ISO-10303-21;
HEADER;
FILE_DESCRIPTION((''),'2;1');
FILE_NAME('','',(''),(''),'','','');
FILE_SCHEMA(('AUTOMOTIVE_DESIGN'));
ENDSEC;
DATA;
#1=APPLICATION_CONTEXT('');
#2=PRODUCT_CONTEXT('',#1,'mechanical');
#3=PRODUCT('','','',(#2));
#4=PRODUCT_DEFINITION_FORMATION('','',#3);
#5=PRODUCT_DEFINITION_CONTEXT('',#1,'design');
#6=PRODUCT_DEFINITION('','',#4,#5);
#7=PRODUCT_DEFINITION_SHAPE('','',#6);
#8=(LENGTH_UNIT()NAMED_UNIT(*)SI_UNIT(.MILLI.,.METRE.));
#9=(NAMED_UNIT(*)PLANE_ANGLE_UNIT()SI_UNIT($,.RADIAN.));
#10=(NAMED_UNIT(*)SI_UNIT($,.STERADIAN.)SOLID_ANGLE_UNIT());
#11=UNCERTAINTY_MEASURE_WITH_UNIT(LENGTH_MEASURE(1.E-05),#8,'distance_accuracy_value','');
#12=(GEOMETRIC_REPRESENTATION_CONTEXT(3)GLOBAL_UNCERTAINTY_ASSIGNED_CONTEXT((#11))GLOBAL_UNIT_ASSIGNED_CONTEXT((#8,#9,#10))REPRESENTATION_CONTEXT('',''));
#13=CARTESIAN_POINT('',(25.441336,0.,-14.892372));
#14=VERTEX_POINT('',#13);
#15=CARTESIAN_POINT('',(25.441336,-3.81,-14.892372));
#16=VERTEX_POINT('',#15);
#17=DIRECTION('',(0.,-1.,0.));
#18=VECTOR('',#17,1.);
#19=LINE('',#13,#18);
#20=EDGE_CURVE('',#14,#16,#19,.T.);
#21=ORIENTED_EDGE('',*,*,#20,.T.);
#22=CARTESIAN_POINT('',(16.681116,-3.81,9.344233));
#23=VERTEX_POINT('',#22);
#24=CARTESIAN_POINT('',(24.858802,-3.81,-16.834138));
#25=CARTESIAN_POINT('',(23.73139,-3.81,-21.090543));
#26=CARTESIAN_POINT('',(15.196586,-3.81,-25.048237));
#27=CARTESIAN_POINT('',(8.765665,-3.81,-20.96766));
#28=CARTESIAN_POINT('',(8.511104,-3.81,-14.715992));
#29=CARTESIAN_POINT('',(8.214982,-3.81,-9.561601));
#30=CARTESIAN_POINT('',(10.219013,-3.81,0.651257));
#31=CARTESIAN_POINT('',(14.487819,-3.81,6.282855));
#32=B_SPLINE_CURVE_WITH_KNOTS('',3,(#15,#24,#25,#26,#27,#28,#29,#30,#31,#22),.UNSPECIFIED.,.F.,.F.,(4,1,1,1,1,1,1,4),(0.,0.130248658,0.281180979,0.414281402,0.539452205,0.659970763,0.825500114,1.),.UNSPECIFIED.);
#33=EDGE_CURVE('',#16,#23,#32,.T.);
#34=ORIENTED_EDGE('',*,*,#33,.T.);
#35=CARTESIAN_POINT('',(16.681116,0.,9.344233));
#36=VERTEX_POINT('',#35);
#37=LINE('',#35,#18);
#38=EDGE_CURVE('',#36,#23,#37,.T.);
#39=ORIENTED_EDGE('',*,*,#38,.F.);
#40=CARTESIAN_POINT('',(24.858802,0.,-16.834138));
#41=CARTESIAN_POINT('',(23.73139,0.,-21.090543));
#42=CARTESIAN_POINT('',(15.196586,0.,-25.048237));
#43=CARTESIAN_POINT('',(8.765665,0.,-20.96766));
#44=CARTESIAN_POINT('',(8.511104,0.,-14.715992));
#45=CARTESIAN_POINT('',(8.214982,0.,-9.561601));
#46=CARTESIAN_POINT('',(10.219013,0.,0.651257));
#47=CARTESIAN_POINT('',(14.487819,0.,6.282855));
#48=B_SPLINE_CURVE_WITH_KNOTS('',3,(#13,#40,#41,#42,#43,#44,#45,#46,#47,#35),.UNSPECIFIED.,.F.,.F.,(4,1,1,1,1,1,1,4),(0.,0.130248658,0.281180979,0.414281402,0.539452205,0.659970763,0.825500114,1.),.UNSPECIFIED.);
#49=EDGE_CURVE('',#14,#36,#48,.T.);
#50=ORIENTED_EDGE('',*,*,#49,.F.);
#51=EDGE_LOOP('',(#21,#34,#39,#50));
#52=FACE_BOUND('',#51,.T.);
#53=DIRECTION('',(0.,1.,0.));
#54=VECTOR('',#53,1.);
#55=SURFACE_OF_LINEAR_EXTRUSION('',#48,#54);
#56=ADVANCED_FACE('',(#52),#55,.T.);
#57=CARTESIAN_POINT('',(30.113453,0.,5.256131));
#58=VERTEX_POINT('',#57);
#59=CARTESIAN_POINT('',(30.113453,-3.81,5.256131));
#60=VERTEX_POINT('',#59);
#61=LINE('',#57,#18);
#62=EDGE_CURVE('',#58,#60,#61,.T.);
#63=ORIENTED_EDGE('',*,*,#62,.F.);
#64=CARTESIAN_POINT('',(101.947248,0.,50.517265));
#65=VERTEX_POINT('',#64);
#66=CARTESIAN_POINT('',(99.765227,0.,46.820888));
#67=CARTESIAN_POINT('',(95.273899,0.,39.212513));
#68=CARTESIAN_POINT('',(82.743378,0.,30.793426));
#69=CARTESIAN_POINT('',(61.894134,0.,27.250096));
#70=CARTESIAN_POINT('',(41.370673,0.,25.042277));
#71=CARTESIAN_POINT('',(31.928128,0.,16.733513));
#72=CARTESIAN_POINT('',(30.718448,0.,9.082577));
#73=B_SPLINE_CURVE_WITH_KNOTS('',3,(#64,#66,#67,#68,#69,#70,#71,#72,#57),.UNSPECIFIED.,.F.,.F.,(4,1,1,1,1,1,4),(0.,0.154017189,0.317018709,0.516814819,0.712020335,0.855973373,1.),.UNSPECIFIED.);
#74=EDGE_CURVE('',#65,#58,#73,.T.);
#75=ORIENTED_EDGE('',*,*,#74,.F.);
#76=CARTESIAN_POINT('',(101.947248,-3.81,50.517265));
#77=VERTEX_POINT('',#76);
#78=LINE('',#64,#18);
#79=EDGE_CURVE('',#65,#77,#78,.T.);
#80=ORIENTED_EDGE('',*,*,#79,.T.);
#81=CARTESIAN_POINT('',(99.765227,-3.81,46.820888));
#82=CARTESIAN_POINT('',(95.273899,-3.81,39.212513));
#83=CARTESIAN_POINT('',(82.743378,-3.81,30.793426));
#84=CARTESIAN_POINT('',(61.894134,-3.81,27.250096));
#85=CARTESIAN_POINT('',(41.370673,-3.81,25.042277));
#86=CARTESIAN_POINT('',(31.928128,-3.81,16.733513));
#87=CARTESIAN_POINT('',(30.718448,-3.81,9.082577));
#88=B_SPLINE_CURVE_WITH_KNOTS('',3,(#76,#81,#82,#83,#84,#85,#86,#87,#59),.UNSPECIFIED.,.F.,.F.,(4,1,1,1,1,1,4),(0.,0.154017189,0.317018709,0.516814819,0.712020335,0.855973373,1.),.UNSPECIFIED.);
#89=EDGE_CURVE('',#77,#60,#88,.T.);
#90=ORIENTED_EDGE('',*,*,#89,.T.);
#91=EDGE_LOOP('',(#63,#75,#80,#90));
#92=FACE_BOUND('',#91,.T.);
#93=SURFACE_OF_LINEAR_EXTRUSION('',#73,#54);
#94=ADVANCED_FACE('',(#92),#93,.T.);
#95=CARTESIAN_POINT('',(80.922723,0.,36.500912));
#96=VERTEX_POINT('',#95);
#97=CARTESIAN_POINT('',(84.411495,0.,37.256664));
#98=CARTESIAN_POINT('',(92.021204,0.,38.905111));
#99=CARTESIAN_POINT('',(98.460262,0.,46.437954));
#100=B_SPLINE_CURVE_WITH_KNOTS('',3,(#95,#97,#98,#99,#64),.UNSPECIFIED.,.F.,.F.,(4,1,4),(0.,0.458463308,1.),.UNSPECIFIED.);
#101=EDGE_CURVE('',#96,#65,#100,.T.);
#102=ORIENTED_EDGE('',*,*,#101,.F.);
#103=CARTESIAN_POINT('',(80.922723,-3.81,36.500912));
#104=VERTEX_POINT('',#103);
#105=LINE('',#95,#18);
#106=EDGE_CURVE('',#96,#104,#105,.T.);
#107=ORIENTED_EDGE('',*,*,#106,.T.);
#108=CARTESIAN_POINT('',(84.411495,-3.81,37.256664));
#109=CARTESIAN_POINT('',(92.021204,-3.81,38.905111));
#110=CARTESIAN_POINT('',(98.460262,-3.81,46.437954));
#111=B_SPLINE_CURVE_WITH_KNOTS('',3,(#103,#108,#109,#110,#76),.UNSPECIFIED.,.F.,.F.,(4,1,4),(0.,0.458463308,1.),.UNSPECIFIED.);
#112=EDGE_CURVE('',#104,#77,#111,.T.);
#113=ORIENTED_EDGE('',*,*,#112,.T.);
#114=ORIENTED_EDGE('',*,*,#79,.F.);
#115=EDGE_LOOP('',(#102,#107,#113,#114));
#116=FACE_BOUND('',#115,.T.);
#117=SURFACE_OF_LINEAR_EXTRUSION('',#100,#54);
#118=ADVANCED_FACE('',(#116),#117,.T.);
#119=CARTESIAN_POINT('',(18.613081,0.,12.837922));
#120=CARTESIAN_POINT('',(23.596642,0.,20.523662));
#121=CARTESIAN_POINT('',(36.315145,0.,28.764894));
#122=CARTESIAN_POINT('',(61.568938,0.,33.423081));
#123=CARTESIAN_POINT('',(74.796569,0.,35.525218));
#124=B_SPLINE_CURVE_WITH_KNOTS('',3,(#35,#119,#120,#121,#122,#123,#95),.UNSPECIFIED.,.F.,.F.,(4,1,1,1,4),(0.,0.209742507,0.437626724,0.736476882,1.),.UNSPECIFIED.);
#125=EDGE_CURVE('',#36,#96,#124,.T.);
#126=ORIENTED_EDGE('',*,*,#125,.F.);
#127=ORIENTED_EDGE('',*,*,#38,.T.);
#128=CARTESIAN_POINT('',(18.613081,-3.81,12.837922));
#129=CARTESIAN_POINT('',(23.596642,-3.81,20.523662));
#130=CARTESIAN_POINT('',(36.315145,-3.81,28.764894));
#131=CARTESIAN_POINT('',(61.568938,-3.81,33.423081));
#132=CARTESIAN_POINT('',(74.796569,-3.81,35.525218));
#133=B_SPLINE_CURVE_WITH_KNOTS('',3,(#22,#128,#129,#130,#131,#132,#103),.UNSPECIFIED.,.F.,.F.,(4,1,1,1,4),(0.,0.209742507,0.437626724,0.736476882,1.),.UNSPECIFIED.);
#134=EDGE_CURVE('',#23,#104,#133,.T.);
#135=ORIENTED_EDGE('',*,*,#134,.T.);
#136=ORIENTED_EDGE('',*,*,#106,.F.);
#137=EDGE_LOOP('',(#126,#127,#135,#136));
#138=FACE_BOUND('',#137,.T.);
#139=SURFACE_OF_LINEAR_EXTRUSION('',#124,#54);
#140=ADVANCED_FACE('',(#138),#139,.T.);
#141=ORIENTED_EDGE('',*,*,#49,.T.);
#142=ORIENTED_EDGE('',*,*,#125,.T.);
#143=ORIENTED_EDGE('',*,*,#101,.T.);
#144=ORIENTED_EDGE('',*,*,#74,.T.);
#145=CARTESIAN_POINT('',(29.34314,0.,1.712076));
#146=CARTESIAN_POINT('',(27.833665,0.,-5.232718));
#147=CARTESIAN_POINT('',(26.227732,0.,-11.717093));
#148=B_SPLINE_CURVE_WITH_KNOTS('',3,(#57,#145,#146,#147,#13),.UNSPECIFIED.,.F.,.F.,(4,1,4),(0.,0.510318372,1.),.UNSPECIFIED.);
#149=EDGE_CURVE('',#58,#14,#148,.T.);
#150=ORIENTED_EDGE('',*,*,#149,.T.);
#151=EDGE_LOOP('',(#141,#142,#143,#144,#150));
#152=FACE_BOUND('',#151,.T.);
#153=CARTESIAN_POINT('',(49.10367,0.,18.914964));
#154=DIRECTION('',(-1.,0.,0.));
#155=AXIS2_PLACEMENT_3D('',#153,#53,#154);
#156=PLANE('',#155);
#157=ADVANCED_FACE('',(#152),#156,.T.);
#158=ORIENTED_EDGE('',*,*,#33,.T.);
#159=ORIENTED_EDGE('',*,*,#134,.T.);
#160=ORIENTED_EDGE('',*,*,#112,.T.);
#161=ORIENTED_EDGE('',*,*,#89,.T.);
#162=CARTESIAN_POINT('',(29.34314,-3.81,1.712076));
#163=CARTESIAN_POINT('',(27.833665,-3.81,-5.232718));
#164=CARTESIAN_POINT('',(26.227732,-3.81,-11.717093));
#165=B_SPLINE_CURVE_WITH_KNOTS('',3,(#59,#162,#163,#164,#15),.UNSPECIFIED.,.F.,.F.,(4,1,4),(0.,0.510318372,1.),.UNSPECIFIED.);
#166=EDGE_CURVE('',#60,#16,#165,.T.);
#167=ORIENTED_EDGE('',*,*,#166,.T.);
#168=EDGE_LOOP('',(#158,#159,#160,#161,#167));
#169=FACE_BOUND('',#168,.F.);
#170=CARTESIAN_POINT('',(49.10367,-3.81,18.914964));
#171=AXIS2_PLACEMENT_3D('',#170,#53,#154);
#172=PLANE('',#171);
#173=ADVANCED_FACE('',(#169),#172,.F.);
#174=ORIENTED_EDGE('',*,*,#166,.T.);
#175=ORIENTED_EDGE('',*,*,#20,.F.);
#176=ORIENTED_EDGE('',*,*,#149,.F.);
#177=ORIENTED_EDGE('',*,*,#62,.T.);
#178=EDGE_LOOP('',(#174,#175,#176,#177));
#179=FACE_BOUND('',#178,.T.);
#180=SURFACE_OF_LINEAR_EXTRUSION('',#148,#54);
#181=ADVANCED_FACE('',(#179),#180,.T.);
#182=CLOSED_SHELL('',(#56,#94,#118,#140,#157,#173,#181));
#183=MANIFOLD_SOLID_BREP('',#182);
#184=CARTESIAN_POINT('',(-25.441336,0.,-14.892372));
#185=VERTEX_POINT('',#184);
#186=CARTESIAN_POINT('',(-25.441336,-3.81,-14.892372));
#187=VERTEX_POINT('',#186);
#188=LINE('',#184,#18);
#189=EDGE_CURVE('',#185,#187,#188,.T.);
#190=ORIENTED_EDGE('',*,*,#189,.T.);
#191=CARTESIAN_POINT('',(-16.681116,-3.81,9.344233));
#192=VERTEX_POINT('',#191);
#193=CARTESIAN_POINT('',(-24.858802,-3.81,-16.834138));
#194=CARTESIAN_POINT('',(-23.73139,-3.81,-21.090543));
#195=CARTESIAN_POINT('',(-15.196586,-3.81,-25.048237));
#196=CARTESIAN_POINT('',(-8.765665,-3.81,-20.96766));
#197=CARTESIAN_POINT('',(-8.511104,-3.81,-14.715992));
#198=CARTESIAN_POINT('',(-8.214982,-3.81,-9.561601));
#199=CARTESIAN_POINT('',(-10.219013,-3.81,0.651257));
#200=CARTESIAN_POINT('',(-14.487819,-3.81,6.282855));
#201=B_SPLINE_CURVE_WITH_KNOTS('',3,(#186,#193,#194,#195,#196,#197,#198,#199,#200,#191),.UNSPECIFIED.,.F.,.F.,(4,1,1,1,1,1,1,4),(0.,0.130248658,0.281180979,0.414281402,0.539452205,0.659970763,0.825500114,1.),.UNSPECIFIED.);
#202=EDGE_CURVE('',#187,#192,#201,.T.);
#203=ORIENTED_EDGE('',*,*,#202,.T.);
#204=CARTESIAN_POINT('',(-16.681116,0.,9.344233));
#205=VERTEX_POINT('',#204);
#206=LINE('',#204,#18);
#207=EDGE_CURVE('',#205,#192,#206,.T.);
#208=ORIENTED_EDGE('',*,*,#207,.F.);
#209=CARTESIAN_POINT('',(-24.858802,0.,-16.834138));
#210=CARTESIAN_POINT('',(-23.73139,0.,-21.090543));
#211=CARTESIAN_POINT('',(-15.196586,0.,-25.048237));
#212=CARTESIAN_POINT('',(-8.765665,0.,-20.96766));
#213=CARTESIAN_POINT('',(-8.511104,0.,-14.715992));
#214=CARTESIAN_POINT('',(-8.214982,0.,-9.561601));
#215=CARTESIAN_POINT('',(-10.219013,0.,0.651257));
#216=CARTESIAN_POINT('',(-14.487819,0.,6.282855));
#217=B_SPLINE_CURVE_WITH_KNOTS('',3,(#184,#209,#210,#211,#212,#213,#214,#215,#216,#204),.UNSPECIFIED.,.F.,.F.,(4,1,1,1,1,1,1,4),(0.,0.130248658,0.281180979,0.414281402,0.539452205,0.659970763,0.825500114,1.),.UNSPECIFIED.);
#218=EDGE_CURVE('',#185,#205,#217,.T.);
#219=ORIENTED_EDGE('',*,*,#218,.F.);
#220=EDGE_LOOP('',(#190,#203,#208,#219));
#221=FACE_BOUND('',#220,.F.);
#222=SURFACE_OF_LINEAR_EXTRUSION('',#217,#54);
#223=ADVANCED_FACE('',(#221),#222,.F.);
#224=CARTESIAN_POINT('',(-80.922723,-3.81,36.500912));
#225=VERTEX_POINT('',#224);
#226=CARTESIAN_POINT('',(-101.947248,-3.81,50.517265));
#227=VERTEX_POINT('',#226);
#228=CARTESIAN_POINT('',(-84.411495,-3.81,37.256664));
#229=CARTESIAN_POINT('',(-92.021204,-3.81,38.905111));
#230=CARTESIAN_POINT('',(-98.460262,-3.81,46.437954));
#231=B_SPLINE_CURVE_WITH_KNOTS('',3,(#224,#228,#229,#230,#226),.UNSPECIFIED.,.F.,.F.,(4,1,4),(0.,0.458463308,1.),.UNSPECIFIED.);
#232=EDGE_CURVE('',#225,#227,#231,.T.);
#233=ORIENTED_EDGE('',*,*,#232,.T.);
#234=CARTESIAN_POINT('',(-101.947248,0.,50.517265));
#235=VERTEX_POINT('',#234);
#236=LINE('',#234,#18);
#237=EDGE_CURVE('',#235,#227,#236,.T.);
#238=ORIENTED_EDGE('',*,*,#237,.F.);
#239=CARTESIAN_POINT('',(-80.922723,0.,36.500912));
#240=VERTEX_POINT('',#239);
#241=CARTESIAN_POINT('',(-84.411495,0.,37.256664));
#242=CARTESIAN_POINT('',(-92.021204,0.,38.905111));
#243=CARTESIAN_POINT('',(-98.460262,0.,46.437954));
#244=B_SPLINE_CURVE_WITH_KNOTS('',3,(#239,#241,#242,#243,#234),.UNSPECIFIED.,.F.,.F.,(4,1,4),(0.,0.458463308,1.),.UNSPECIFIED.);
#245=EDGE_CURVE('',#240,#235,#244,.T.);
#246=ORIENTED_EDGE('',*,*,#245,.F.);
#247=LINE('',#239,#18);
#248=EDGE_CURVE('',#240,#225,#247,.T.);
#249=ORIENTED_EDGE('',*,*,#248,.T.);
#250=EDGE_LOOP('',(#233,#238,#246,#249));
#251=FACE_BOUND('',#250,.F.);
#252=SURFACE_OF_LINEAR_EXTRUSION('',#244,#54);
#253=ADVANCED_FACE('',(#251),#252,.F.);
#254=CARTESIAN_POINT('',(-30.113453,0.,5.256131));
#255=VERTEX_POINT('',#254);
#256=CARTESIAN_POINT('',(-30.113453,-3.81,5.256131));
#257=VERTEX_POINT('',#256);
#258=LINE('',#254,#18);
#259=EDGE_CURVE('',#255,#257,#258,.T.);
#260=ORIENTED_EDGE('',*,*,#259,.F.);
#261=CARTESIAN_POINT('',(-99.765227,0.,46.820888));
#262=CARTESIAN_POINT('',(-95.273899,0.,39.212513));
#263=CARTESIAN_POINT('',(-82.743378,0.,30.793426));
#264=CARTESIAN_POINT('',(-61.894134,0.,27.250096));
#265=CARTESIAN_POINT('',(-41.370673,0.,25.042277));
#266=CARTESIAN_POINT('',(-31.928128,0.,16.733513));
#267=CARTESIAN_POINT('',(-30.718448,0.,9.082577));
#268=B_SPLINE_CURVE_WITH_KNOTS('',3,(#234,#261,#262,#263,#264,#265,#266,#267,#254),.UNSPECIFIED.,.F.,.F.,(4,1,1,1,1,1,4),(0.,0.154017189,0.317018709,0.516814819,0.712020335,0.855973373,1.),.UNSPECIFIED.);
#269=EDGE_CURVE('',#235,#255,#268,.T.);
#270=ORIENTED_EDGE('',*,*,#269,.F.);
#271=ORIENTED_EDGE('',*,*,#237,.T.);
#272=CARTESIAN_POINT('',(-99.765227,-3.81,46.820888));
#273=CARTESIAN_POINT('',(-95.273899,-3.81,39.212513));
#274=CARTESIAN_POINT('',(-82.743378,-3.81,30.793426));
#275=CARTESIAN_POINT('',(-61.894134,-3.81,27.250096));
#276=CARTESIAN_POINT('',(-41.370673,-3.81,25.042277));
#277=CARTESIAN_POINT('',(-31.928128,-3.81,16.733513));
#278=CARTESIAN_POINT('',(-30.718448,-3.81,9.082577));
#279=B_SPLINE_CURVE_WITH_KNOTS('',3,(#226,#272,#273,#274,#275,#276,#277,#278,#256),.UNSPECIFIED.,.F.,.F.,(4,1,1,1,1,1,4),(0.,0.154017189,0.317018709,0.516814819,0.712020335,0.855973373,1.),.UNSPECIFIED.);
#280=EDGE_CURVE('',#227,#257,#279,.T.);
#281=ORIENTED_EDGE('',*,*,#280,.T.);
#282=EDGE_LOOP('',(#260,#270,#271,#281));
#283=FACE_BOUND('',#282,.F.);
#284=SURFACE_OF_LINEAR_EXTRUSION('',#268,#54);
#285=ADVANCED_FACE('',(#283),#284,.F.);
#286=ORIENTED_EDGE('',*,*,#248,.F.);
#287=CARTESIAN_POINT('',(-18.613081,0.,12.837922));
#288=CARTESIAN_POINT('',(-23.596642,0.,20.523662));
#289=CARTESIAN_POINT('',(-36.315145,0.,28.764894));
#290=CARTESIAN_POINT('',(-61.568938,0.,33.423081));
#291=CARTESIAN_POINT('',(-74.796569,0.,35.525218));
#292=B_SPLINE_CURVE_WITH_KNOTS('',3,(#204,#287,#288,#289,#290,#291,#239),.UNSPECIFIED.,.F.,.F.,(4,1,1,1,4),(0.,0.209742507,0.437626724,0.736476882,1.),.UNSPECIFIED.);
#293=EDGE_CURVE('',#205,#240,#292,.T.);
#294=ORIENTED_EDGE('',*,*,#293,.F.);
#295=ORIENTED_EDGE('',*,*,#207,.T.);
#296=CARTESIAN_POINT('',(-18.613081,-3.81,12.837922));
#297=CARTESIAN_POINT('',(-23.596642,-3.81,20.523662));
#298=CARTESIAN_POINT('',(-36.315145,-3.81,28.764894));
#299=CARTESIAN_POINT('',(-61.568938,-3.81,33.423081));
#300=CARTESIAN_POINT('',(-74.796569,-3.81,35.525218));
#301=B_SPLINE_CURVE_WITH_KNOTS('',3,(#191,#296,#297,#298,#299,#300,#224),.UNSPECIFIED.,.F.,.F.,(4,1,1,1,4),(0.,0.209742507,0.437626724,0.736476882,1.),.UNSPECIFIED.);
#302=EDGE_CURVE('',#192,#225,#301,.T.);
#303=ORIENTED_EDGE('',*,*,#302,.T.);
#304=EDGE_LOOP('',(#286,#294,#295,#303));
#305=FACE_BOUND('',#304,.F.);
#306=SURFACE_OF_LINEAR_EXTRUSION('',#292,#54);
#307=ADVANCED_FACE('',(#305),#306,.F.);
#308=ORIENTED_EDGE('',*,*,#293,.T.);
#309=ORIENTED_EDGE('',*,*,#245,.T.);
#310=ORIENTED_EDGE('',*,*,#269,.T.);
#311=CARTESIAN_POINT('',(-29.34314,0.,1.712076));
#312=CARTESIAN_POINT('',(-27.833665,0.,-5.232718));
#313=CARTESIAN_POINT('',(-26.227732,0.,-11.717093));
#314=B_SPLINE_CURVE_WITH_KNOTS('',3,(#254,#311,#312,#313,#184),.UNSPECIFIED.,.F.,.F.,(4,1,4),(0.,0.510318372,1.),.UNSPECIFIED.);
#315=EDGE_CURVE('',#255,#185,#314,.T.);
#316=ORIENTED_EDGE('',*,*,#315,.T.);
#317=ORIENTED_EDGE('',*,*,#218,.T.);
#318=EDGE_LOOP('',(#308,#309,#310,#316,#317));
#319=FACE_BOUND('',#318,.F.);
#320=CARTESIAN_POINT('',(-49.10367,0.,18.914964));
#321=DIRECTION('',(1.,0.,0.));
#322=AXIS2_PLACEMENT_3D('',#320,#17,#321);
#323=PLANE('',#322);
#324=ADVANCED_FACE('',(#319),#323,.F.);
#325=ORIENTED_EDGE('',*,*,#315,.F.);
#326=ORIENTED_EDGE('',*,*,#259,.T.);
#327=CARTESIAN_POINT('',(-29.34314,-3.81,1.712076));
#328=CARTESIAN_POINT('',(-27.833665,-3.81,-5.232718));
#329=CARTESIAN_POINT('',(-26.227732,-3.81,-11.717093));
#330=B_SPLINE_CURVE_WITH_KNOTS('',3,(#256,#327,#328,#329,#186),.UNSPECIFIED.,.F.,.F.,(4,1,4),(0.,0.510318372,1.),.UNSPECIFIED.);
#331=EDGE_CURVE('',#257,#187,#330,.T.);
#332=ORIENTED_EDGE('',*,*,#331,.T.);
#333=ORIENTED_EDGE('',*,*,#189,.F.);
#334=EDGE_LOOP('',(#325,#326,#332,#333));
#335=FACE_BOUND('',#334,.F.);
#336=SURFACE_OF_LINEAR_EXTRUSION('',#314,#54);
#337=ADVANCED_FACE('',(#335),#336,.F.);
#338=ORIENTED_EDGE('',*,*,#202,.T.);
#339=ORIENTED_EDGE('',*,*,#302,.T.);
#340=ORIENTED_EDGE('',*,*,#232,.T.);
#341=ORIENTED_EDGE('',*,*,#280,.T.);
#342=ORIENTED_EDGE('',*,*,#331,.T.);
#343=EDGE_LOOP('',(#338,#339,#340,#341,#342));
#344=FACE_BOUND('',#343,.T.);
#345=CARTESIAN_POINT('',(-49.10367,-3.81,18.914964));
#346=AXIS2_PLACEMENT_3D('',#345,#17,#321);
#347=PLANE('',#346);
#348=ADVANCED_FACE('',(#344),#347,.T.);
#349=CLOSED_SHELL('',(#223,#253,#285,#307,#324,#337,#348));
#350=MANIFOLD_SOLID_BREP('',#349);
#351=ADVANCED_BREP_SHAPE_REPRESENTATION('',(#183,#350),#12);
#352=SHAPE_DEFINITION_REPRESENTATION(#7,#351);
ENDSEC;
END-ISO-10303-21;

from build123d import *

# Parameters (mm, degrees)
F1_DEPTH = 3.81


with BuildPart() as f1:
    # F0 (on Front) → F1 (new body)
    with BuildSketch(Plane.XZ):
        with BuildLine():
            add(Edge.make_bspline(
                [(-80.9227228165, 36.5009121597), (-84.4114951271, 37.2566644975), (-92.021204014, 38.9051112201), (-98.4602618845, 46.4379539966), (-101.947247982, 50.5172647536)],
                knots=[0, 0, 0, 0, 0.4584633082, 1, 1, 1, 1], degree=3))
            add(Edge.make_bspline(
                [(-101.947247982, 50.5172647536), (-99.7652266569, 46.8208882281), (-95.2738994905, 39.212513317), (-82.743377723, 30.7934255026), (-61.8941340701, 27.2500963872), (-41.3706732624, 25.0422771321), (-31.9281283345, 16.7335131753), (-30.7184478483, 9.0825769547), (-30.1134530455, 5.2561312914)],
                knots=[0, 0, 0, 0, 0.1540171887, 0.3170187091, 0.5168148193, 0.712020335, 0.8559733726, 1, 1, 1, 1], degree=3))
            add(Edge.make_bspline(
                [(-30.1134530455, 5.2561312914), (-29.3431401757, 1.7120756568), (-27.8336650872, -5.2327176899), (-26.2277316259, -11.7170928955), (-25.4413355142, -14.8923723027)],
                knots=[0, 0, 0, 0, 0.510318372, 1, 1, 1, 1], degree=3))
            add(Edge.make_bspline(
                [(-25.4413355142, -14.8923723027), (-24.8588019304, -16.8341384973), (-23.7313898361, -21.0905428869), (-15.19658639, -25.0482374652), (-8.7656645044, -20.9676602248), (-8.5111044461, -14.7159924758), (-8.2149819894, -9.5616014137), (-10.21901269, 0.6512570295), (-14.4878192175, 6.2828547617), (-16.6811160743, 9.3442332)],
                knots=[0, 0, 0, 0, 0.1302486577, 0.2811809787, 0.4142814023, 0.5394522052, 0.6599707627, 0.8255001139, 1, 1, 1, 1], degree=3))
            add(Edge.make_bspline(
                [(-16.6811160743, 9.3442332), (-18.6130808959, 12.8379221253), (-23.5966416898, 20.5236615159), (-36.3151449202, 28.7648939703), (-61.5689376617, 33.4230811157), (-74.7965690841, 35.5252179936), (-80.9227228165, 36.5009121597)],
                knots=[0, 0, 0, 0, 0.2097425071, 0.4376267239, 0.7364768819, 1, 1, 1, 1], degree=3))
        make_face()
    extrude(amount=F1_DEPTH)


with BuildPart() as f1b:
    # F0 (on Front) → F1, piece 2 (new body)
    with BuildSketch(Plane.XZ):
        with BuildLine():
            add(Edge.make_bspline(
                [(101.947247982, 50.5172647536), (99.7652266569, 46.8208882281), (95.2738994905, 39.212513317), (82.743377723, 30.7934255026), (61.8941340701, 27.2500963872), (41.3706732624, 25.0422771321), (31.9281283345, 16.7335131753), (30.7184478483, 9.0825769547), (30.1134530455, 5.2561312914)],
                knots=[0, 0, 0, 0, 0.1540171887, 0.3170187091, 0.5168148193, 0.712020335, 0.8559733726, 1, 1, 1, 1], degree=3))
            add(Edge.make_bspline(
                [(80.9227228165, 36.5009121597), (84.4114951271, 37.2566644975), (92.021204014, 38.9051112201), (98.4602618845, 46.4379539966), (101.947247982, 50.5172647536)],
                knots=[0, 0, 0, 0, 0.4584633082, 1, 1, 1, 1], degree=3))
            add(Edge.make_bspline(
                [(16.6811160743, 9.3442332), (18.6130808959, 12.8379221253), (23.5966416898, 20.5236615159), (36.3151449202, 28.7648939703), (61.5689376617, 33.4230811157), (74.7965690841, 35.5252179936), (80.9227228165, 36.5009121597)],
                knots=[0, 0, 0, 0, 0.2097425071, 0.4376267239, 0.7364768819, 1, 1, 1, 1], degree=3))
            add(Edge.make_bspline(
                [(25.4413355142, -14.8923723027), (24.8588019304, -16.8341384973), (23.7313898361, -21.0905428869), (15.19658639, -25.0482374652), (8.7656645044, -20.9676602248), (8.5111044461, -14.7159924758), (8.2149819894, -9.5616014137), (10.21901269, 0.6512570295), (14.4878192175, 6.2828547617), (16.6811160743, 9.3442332)],
                knots=[0, 0, 0, 0, 0.1302486577, 0.2811809787, 0.4142814023, 0.5394522052, 0.6599707627, 0.8255001139, 1, 1, 1, 1], degree=3))
            add(Edge.make_bspline(
                [(30.1134530455, 5.2561312914), (29.3431401757, 1.7120756568), (27.8336650872, -5.2327176899), (26.2277316259, -11.7170928955), (25.4413355142, -14.8923723027)],
                knots=[0, 0, 0, 0, 0.510318372, 1, 1, 1, 1], degree=3))
        make_face()
    extrude(amount=F1_DEPTH)


solid = Compound([f1.part, f1b.part])
